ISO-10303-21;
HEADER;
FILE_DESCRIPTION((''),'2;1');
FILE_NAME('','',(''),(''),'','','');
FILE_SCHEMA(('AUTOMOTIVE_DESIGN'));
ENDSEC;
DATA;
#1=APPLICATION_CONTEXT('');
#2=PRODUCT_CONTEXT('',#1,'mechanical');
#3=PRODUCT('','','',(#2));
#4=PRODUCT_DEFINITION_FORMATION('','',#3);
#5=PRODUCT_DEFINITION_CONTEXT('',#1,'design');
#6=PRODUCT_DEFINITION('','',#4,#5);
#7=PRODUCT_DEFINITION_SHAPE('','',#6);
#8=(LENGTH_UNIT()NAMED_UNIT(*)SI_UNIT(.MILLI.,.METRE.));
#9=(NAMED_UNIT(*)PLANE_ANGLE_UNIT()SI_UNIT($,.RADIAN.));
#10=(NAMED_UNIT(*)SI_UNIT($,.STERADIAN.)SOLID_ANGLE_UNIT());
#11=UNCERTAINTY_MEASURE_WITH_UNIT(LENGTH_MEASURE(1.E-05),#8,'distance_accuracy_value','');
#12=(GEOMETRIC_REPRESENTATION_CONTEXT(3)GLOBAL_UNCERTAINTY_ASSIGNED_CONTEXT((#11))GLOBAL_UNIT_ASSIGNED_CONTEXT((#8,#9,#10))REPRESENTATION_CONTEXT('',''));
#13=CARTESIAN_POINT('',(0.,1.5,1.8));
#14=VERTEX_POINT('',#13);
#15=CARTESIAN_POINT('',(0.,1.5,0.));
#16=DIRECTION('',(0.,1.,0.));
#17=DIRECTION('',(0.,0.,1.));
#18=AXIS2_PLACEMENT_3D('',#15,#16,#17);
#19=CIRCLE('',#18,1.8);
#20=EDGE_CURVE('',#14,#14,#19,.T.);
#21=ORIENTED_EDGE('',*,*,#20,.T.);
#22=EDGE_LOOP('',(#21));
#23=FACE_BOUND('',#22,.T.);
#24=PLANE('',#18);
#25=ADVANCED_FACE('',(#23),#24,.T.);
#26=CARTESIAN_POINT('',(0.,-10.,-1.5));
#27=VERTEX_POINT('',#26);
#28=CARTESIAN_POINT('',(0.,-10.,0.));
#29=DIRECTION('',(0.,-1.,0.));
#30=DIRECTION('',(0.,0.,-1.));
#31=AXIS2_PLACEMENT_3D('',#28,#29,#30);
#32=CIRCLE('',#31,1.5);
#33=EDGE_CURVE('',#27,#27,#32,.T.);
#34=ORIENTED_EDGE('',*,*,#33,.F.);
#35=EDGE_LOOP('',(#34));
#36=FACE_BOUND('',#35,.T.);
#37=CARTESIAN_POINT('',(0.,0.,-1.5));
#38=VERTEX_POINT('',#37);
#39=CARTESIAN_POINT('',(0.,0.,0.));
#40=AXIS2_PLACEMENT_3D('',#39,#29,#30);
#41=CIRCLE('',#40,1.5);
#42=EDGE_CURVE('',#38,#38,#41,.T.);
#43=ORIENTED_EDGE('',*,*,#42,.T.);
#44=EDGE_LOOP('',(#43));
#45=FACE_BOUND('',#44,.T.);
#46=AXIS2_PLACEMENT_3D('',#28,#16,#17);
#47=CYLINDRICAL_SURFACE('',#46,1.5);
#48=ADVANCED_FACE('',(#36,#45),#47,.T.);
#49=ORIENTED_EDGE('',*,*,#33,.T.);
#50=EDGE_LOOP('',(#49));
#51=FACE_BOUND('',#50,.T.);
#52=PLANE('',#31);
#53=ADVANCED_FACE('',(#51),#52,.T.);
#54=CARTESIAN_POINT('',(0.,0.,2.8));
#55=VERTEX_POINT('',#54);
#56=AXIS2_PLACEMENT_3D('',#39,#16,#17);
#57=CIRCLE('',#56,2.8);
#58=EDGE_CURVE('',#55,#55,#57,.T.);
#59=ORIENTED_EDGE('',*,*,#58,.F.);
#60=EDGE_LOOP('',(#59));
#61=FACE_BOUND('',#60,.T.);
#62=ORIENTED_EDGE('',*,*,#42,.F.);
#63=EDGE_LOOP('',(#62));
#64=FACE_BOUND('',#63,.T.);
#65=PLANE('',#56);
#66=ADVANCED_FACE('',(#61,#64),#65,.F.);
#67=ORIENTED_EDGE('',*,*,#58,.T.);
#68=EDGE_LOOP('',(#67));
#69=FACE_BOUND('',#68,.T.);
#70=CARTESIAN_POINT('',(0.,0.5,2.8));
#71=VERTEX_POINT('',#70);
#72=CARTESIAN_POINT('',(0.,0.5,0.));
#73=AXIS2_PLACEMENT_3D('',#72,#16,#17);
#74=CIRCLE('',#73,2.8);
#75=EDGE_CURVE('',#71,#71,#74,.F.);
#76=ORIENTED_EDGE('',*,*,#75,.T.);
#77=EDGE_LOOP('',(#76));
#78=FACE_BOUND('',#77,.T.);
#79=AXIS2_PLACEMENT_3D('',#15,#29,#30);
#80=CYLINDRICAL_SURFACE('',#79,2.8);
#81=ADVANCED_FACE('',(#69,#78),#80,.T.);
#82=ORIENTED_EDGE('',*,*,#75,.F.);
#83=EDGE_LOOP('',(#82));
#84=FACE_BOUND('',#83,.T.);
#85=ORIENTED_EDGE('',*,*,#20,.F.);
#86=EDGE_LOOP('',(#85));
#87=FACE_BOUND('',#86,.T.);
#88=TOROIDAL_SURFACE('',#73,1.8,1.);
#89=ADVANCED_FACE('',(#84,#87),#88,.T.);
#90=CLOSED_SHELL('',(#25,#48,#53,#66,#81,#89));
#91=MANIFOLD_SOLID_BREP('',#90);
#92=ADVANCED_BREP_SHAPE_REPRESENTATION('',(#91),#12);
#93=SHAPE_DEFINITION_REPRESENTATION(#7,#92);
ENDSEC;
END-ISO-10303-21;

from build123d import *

# Parameters (mm, degrees)
SKETCH1_R           = 2.8
BOSS_EXTRUDE1_DEPTH = 1.5
FILLET1_R           = 1
SKETCH2_R           = 1.5
BOSS_EXTRUDE2_DEPTH = 10


with BuildPart() as part:
    # Sketch1 → Boss-Extrude1 (new body)
    with BuildSketch(Plane(origin=(0, 0, 0), x_dir=(1, 0, 0), z_dir=(0, 1, 0))):
        with Locations(Location((0, 0, 0), (0, 0, 270))):
            Circle(SKETCH1_R)
    extrude(amount=BOSS_EXTRUDE1_DEPTH)

    # Fillet1
    fillet1_edges = [part.edges().sort_by_distance(p)[0] for p in [
        (0, 1.5, -2.8),
    ]]
    fillet(fillet1_edges, radius=FILLET1_R)

    # Sketch2 → Boss-Extrude2 (add)
    with BuildSketch(Plane.XZ):
        with Locations(Location((0, 0, 0), (0, 0, 270))):
            Circle(SKETCH2_R)
    extrude(amount=BOSS_EXTRUDE2_DEPTH)


solid = part.part
